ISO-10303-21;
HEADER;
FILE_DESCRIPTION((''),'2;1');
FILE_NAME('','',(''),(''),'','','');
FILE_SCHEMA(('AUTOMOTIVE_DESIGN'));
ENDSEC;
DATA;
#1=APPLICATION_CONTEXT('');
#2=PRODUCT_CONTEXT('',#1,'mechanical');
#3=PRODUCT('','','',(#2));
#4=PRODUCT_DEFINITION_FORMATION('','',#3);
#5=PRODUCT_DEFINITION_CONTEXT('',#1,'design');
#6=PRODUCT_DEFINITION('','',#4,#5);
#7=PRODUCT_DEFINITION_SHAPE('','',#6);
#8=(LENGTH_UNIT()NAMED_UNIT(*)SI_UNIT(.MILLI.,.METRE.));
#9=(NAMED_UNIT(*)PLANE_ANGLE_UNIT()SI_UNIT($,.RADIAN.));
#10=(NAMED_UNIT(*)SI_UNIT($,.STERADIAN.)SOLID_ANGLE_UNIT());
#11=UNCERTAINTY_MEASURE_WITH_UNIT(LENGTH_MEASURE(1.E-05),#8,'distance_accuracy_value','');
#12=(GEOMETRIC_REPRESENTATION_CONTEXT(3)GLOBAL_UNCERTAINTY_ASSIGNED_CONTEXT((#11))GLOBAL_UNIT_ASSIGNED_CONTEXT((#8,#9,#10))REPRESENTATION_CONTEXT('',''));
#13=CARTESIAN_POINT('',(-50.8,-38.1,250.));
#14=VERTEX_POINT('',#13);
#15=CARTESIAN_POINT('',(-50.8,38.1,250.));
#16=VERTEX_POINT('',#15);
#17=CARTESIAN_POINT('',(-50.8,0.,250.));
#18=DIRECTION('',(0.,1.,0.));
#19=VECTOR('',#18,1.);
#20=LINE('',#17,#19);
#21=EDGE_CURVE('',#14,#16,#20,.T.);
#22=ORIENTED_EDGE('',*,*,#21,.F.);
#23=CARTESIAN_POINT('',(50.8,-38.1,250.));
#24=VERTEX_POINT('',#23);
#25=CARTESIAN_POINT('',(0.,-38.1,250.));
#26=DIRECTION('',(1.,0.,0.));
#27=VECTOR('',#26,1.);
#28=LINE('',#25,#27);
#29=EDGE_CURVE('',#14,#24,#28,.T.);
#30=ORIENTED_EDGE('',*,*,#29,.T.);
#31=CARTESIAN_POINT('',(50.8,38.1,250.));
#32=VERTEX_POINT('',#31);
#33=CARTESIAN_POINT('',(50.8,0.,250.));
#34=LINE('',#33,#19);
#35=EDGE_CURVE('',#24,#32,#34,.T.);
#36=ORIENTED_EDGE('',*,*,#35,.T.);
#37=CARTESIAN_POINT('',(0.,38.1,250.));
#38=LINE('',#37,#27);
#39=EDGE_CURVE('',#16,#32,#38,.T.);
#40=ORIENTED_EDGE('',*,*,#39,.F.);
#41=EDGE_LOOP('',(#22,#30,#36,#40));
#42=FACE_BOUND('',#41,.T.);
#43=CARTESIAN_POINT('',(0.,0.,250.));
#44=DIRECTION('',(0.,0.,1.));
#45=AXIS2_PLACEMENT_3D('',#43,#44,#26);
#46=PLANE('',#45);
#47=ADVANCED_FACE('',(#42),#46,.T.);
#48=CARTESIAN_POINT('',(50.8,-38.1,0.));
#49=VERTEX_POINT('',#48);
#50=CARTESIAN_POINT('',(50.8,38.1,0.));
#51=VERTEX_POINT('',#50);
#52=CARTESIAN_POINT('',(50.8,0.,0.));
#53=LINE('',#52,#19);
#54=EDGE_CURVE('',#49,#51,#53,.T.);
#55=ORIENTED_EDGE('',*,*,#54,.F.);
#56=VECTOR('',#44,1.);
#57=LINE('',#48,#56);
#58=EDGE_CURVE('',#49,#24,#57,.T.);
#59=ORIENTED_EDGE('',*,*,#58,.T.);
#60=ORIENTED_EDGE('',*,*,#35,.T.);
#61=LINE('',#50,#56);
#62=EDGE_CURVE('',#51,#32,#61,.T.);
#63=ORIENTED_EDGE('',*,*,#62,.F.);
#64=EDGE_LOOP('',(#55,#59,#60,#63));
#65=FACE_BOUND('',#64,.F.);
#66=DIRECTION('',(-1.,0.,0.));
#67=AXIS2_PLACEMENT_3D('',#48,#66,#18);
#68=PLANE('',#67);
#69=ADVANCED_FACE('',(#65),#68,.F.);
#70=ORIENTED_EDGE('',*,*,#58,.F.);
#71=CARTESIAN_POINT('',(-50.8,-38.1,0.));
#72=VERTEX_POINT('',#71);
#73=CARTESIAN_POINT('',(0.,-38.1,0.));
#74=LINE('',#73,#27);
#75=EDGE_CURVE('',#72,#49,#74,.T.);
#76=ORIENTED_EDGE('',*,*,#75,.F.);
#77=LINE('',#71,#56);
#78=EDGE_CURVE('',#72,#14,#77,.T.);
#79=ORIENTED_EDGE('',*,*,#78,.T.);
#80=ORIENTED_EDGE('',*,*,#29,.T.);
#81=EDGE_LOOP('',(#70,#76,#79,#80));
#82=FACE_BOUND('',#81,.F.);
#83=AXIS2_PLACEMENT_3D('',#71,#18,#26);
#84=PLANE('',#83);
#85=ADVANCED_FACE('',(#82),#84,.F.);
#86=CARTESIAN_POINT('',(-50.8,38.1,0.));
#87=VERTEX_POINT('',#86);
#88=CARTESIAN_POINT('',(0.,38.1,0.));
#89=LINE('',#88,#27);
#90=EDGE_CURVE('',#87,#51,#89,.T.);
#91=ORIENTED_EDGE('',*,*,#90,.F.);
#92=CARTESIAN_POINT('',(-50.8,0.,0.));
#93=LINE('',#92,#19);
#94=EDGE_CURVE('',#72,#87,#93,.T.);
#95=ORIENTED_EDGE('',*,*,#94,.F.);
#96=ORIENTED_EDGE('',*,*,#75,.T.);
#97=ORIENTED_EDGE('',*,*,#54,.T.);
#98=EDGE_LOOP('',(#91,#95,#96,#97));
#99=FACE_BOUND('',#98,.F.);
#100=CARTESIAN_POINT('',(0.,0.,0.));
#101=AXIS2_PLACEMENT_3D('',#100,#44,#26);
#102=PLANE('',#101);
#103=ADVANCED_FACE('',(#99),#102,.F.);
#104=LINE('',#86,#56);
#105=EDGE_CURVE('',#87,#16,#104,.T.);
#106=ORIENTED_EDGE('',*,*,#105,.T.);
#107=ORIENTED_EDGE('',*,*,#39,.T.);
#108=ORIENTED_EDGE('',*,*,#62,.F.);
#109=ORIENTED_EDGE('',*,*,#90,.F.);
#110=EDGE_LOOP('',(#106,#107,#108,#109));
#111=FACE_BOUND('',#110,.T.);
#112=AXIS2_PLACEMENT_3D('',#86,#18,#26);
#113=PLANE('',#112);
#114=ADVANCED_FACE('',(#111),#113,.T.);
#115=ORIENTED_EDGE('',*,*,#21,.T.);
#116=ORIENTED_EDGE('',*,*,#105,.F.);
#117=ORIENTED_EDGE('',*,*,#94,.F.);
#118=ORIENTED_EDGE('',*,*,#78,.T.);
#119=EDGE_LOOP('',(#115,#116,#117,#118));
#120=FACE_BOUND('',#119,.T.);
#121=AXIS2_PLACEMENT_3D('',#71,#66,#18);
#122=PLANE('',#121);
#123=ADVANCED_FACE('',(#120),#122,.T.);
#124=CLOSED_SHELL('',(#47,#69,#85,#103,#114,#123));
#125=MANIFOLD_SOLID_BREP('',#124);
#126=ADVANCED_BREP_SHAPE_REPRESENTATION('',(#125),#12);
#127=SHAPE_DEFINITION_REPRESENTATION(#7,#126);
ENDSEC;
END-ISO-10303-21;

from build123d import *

# Parameters (mm, degrees)
SKETCH_W  = 101.6
SKETCH_H  = 76.2
PAD_DEPTH = 250


with BuildPart() as part:
    # Sketch → Pad (new body)
    with BuildSketch(Plane.XY):
        Rectangle(SKETCH_W, SKETCH_H)
    extrude(amount=PAD_DEPTH)


solid = part.part
